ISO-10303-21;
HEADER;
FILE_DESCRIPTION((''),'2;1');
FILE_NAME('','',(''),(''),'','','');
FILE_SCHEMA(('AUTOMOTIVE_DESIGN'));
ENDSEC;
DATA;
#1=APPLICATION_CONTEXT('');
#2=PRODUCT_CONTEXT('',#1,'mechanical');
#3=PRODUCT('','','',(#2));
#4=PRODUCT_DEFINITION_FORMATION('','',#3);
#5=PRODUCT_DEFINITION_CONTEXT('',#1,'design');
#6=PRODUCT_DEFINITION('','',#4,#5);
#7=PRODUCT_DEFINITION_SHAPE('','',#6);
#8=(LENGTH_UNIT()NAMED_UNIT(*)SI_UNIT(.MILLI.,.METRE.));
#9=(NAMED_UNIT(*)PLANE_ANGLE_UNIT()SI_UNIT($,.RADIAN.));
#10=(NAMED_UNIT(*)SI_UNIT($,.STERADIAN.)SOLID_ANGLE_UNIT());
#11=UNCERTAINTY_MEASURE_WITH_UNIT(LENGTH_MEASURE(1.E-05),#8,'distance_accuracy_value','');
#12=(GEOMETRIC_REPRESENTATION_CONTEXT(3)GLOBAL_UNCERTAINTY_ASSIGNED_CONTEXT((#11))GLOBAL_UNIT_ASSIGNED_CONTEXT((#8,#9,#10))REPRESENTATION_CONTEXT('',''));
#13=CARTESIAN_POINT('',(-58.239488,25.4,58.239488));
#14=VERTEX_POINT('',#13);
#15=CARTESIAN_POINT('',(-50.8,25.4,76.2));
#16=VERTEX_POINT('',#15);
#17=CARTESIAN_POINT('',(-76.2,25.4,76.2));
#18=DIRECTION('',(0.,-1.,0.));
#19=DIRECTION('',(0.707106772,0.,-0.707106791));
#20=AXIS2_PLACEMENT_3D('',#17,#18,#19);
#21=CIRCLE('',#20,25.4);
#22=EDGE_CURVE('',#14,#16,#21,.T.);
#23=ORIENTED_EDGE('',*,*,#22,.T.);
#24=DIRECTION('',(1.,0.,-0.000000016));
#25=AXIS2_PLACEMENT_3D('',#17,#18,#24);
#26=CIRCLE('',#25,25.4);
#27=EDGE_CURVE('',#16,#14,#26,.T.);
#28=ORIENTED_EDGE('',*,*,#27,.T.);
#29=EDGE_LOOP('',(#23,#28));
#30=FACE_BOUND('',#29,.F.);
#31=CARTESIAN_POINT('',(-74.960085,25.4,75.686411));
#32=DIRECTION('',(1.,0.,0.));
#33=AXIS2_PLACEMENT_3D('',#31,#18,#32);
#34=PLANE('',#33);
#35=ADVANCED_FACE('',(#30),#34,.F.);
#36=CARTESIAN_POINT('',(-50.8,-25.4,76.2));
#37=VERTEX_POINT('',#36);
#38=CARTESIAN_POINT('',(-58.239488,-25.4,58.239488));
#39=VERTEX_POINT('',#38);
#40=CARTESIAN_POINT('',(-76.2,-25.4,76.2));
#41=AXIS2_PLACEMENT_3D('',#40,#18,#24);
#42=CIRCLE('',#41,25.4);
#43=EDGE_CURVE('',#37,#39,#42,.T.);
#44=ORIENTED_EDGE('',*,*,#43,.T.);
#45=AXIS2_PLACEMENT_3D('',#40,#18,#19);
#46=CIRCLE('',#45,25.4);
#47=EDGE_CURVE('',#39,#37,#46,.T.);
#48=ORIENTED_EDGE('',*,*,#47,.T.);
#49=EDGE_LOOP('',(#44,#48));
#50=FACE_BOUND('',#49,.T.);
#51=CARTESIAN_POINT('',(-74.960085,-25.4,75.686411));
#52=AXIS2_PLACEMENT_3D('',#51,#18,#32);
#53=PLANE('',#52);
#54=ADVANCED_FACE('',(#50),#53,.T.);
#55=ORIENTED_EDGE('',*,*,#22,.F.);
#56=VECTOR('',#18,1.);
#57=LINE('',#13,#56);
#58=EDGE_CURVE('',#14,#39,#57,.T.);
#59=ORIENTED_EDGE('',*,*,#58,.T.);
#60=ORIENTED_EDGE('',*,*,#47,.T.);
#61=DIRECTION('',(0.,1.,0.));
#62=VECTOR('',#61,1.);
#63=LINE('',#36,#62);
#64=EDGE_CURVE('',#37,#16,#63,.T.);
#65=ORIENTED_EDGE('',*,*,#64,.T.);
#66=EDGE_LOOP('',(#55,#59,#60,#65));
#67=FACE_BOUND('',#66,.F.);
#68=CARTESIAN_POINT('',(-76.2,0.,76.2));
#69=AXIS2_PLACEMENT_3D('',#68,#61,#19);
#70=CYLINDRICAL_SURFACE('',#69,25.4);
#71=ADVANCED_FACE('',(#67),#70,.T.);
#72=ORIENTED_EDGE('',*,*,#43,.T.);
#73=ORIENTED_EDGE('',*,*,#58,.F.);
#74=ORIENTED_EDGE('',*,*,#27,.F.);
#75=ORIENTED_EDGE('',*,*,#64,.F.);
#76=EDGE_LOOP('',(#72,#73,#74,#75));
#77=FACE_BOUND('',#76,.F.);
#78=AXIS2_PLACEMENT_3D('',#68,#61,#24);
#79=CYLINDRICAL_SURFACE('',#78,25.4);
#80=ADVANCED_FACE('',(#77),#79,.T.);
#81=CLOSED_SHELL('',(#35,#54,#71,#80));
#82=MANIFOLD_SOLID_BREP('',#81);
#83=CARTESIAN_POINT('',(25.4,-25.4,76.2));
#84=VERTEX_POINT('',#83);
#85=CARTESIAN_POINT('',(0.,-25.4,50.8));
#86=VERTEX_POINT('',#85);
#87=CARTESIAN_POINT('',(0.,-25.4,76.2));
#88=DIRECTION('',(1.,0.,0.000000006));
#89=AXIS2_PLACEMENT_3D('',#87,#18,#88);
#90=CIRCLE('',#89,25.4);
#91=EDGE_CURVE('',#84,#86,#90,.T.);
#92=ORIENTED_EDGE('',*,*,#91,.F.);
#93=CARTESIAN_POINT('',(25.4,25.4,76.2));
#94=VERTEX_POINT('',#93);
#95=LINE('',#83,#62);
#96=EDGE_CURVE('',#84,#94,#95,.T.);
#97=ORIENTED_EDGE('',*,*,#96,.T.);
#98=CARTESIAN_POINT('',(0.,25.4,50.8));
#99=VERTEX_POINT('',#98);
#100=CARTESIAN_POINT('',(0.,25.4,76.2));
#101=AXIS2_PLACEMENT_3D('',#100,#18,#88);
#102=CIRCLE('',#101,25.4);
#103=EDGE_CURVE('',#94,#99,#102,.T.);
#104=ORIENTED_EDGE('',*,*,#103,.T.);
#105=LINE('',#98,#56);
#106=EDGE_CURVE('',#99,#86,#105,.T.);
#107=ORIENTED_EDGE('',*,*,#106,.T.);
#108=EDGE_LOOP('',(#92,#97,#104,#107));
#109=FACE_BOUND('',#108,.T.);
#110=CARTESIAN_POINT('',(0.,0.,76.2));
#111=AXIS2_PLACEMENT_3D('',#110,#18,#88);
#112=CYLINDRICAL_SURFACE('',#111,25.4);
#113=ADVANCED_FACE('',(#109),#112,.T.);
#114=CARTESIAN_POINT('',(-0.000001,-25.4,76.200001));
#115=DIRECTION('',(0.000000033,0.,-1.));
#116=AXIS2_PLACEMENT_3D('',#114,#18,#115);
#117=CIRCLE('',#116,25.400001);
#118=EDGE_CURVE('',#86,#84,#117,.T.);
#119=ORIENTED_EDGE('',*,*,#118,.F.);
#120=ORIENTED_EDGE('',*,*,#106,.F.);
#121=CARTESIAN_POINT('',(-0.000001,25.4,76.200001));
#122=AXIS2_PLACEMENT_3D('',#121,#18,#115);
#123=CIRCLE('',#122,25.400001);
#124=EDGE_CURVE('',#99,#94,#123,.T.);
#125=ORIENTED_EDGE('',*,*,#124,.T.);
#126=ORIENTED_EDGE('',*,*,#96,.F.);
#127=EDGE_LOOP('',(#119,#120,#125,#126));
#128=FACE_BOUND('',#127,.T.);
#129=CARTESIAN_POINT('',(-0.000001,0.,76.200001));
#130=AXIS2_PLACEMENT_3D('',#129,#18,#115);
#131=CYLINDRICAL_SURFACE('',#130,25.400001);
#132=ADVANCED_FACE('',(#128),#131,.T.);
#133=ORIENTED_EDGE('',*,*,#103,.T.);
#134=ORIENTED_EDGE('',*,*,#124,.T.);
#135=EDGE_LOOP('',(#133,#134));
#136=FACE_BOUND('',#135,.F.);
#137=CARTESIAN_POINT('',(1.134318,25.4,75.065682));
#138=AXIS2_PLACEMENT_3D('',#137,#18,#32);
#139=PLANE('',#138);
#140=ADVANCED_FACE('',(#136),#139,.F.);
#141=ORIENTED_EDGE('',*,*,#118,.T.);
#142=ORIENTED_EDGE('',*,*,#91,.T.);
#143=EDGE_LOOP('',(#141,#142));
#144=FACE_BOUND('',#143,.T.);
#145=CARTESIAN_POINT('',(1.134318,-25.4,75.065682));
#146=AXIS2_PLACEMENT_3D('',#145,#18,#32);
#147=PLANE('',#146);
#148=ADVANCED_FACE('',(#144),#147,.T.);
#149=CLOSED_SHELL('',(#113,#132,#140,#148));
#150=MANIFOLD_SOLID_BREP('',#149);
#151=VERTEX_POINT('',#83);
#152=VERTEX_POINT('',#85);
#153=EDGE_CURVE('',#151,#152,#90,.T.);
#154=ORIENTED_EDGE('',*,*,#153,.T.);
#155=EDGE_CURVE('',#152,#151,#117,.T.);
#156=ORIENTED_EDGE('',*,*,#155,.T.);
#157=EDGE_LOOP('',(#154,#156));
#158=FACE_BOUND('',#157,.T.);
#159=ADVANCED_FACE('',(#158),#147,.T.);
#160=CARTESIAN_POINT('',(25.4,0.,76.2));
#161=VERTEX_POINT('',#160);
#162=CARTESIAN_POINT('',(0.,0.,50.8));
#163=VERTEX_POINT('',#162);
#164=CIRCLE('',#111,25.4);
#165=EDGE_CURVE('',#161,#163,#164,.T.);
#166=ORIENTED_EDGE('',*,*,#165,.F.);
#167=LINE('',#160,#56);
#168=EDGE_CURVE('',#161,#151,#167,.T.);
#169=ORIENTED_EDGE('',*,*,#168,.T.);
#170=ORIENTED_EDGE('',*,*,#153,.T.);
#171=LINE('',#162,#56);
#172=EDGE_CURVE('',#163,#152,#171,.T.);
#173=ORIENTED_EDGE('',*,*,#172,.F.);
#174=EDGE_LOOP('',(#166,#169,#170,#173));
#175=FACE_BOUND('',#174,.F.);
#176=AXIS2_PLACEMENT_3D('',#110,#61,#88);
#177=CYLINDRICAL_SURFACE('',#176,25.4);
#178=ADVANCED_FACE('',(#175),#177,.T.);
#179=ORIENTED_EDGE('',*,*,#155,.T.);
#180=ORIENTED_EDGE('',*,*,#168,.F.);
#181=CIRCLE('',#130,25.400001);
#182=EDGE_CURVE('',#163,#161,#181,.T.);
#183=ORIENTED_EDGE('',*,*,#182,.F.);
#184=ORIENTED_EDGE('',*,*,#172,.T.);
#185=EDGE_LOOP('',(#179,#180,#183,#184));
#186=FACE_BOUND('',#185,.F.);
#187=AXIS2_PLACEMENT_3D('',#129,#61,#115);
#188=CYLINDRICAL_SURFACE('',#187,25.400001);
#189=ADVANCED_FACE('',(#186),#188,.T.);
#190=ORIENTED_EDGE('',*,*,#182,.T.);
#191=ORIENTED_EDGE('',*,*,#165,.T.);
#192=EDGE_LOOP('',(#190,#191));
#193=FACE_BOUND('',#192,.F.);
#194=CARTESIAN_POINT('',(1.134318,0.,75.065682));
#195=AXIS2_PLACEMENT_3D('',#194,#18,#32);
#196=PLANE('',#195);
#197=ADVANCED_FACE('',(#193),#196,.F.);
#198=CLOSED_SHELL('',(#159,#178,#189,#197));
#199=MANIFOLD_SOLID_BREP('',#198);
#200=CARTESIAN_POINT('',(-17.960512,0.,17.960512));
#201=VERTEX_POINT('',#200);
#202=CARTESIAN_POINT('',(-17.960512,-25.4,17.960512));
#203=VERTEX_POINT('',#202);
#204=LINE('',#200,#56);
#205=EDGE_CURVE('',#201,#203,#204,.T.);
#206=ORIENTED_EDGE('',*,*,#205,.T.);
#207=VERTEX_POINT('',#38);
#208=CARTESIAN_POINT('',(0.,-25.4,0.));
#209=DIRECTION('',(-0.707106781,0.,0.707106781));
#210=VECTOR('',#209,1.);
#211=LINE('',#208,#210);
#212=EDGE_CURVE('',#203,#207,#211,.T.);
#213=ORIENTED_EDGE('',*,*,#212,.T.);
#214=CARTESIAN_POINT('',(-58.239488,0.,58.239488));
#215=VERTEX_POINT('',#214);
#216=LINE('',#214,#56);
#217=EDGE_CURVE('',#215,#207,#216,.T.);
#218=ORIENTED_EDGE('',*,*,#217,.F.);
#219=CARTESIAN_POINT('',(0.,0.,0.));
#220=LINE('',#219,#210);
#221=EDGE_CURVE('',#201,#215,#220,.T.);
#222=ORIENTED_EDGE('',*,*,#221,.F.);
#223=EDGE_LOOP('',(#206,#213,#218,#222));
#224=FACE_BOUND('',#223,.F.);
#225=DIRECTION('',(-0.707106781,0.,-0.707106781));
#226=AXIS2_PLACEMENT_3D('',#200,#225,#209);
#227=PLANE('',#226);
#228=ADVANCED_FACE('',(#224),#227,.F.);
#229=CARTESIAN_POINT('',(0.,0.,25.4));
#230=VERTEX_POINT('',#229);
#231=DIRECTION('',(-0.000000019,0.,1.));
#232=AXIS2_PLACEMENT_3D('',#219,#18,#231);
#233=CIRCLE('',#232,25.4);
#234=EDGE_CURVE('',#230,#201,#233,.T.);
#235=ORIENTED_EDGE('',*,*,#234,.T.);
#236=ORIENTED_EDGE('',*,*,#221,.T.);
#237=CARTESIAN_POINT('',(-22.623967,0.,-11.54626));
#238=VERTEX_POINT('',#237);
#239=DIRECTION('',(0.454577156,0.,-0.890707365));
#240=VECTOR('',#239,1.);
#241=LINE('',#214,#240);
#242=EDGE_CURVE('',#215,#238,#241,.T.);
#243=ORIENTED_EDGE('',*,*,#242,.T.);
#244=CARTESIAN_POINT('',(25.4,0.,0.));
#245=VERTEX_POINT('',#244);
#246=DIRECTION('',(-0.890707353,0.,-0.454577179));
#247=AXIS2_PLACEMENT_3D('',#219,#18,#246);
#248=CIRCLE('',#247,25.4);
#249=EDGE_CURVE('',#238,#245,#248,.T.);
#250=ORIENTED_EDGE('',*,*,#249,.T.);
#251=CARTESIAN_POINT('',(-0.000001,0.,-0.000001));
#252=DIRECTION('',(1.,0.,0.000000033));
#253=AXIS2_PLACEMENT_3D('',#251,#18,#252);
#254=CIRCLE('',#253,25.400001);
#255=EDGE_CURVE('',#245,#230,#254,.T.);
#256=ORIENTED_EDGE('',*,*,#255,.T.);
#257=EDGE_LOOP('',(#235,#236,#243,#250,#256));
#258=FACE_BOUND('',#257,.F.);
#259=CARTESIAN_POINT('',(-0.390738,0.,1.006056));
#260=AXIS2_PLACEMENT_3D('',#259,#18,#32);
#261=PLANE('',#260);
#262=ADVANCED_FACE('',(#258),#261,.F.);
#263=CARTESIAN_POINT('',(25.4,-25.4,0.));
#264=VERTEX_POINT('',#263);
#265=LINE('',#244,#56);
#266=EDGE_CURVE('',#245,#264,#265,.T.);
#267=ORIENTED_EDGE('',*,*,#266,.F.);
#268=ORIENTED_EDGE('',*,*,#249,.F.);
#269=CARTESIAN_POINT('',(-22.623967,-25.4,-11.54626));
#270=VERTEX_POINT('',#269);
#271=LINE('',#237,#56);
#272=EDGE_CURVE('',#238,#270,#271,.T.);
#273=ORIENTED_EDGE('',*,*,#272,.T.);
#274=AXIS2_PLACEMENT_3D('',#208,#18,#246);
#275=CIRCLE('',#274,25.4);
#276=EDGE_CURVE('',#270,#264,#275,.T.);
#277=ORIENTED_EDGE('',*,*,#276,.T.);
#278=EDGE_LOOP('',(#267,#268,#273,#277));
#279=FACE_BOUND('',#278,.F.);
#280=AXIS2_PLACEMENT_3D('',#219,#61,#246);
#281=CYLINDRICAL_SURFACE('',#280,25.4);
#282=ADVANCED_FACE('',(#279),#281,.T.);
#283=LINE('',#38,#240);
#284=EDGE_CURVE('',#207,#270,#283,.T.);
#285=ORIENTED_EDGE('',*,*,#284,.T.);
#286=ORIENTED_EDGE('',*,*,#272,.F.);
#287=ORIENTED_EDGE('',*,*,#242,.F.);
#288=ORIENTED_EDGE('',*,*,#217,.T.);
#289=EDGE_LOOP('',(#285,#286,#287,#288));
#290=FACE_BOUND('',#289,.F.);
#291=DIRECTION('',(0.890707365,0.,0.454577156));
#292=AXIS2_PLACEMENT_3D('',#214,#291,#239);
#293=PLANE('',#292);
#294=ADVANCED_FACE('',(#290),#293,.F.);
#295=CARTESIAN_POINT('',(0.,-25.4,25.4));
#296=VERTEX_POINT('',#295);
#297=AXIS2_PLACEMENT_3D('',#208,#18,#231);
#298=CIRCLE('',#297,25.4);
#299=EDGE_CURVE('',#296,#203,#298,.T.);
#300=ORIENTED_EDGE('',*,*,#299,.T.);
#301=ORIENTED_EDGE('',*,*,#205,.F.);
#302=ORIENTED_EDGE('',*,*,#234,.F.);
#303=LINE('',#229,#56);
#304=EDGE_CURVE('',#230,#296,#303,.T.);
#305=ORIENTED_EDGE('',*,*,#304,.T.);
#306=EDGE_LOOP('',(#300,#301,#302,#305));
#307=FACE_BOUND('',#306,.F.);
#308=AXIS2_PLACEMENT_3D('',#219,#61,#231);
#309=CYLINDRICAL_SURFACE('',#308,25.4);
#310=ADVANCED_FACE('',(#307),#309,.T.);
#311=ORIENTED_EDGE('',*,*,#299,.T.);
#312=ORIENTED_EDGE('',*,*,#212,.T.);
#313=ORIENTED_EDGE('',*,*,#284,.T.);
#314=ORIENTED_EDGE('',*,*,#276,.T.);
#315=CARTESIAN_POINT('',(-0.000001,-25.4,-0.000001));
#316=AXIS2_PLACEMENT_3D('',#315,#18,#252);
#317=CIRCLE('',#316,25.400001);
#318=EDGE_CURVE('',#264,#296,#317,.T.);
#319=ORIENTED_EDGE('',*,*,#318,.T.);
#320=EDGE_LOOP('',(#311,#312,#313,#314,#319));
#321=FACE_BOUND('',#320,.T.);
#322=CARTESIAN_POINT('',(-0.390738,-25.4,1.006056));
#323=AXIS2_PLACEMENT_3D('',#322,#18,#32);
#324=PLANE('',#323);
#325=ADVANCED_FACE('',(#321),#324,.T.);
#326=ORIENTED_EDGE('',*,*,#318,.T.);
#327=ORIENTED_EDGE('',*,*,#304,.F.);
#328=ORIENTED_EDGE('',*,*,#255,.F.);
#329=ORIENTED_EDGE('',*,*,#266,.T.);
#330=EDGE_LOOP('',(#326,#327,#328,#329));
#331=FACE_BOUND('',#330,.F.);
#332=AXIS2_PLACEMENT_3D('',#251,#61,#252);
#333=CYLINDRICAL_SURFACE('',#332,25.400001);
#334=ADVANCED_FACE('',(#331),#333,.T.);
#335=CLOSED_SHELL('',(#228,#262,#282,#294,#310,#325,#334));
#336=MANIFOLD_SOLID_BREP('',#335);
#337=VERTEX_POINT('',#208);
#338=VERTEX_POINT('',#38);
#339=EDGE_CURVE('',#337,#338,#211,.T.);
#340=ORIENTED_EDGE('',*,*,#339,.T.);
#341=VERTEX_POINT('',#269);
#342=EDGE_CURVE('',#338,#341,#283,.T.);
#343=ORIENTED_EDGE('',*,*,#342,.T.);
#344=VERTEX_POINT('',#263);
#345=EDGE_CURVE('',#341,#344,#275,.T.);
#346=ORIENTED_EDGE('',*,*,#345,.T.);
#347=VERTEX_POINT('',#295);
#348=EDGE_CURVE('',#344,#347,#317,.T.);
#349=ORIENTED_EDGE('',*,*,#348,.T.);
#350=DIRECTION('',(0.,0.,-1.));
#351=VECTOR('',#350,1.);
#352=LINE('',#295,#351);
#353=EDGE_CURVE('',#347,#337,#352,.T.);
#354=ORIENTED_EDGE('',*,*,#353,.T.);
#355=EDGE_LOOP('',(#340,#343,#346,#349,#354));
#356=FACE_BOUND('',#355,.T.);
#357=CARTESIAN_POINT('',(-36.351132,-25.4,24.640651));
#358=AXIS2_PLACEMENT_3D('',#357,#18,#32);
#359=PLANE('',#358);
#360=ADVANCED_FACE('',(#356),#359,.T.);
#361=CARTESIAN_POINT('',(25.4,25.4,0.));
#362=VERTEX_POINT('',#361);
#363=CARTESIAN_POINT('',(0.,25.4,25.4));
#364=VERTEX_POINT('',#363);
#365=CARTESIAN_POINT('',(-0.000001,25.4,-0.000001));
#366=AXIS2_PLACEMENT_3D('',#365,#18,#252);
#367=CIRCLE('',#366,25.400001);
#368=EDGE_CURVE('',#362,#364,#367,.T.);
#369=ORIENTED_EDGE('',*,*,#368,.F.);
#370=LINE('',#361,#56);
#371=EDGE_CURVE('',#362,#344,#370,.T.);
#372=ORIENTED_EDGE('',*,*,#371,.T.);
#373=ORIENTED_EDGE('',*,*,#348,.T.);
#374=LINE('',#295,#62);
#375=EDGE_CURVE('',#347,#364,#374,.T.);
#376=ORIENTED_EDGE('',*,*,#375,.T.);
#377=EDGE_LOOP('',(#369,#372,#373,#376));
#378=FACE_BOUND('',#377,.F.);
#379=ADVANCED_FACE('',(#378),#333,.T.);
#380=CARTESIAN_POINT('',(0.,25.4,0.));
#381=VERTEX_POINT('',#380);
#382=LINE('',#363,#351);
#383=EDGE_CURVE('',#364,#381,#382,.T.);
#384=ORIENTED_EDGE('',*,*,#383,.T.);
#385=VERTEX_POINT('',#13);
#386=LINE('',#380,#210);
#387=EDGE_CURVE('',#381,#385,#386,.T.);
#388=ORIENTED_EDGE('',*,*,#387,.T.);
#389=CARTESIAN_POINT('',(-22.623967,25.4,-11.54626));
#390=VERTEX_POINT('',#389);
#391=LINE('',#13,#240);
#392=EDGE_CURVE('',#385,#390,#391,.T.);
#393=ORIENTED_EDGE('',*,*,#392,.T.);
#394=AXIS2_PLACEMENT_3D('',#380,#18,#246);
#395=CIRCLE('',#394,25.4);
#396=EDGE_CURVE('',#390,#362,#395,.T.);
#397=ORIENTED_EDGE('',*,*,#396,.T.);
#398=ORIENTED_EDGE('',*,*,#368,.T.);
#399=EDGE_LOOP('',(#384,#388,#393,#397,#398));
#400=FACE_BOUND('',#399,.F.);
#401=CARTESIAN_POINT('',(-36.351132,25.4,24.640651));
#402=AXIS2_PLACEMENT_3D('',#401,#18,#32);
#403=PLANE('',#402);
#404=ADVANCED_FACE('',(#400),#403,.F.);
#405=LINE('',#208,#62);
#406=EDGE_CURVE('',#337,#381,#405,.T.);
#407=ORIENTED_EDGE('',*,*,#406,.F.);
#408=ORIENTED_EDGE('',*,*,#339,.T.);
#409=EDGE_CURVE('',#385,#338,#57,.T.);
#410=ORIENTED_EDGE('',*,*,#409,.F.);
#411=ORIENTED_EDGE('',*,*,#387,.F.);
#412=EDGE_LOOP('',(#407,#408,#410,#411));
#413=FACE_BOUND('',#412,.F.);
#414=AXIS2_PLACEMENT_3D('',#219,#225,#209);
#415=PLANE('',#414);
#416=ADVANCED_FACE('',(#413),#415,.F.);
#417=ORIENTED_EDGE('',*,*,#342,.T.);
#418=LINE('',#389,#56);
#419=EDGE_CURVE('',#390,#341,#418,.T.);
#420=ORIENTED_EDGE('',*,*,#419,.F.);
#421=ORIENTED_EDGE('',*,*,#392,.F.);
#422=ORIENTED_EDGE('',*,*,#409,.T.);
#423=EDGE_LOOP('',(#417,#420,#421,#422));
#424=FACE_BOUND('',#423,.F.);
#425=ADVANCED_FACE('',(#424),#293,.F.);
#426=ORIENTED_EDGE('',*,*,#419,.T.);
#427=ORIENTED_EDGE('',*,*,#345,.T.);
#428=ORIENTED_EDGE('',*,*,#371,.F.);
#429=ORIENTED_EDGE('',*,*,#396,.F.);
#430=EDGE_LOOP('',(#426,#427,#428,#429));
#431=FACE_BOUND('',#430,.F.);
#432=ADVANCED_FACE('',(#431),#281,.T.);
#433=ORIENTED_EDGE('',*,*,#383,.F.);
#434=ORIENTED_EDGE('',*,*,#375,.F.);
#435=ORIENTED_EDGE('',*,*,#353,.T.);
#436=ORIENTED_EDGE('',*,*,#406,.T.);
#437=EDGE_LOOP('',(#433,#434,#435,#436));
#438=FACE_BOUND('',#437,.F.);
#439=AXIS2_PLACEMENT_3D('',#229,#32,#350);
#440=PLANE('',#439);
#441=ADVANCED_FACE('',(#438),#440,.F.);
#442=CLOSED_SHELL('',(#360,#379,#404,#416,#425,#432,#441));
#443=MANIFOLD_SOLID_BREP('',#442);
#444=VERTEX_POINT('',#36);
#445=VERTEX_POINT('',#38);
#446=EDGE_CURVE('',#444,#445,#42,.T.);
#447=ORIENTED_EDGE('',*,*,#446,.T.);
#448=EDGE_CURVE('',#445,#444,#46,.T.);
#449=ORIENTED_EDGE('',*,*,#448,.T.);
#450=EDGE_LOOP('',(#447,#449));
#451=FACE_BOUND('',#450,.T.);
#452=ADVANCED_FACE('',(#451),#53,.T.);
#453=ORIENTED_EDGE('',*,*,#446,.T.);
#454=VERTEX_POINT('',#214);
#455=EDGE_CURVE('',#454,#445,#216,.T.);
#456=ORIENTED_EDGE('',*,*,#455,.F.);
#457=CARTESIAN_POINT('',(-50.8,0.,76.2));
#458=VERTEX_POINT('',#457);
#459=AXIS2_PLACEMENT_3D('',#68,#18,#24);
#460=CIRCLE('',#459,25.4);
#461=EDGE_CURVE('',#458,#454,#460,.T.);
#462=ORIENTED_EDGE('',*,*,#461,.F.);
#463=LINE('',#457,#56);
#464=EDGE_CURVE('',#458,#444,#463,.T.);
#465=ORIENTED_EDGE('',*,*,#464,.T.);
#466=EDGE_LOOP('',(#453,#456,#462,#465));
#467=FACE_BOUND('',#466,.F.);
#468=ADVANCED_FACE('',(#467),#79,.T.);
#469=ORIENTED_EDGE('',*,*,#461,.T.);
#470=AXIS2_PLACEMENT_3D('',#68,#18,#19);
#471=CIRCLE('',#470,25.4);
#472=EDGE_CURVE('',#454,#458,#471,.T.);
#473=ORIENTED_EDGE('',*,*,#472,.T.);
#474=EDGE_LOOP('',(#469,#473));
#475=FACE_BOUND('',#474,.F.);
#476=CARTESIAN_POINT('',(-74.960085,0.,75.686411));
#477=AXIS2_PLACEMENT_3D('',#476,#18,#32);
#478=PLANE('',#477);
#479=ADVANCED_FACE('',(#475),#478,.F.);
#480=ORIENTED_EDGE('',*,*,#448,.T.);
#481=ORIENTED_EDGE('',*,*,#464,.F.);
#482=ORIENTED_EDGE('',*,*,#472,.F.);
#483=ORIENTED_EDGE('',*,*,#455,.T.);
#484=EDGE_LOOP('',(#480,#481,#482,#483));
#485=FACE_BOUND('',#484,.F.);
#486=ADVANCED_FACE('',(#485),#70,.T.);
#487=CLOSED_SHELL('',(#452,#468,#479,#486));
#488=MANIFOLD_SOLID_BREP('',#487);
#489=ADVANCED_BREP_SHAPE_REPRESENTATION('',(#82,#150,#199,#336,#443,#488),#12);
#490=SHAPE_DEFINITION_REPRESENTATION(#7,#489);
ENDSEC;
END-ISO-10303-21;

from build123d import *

# Parameters (mm, degrees)
F1_DEPTH = 25.4
F2_DEPTH = 25.4


with BuildPart() as f1:
    # F0 (on Front) → F1 (new body)
    with BuildSketch(Plane.XZ):
        with BuildLine():
            ThreePointArc((-17.960512, 17.960512), (-25.088591, 3.965175), (-22.623967, -11.54626))
            ThreePointArc((-22.623967, -11.54626), (5.937644, -24.696242), (25.4, 0))
            ThreePointArc((25.4, 0), (17.960512, 17.960512), (0, 25.4))
            Line((0, 25.4), (0, 0))
            Line((0, 0), (-17.960512, 17.960512))
        make_face()
        with BuildLine():
            Line((-58.239488, 58.239488), (-22.623967, -11.54626))
            ThreePointArc((-22.623967, -11.54626), (-25.088591, 3.965175), (-17.960512, 17.960512))
            Line((-17.960512, 17.960512), (-58.239488, 58.239488))
        make_face()
        with BuildLine():
            ThreePointArc((-50.8, 76.2), (-99.66654, 85.920159), (-58.239488, 58.239488))
            ThreePointArc((-58.239488, 58.239488), (-52.73346, 66.479841), (-50.8, 76.2))
        make_face()
        with BuildLine():
            ThreePointArc((25.4, 76.2), (-17.960512, 94.160512), (0, 50.8))
            ThreePointArc((0, 50.8), (17.960512, 58.239488), (25.4, 76.2))
        make_face()
        with BuildLine():
            ThreePointArc((0, 25.4), (-9.720159, 23.46654), (-17.960512, 17.960512))
            Line((-17.960512, 17.960512), (0, 0))
            Line((0, 0), (0, 25.4))
        make_face()
    extrude(amount=F1_DEPTH)


with BuildPart() as f2:
    # F0 (on Front) → F2 (new body, symmetric)
    with BuildSketch(Plane.XZ):
        with BuildLine():
            ThreePointArc((-50.8, 76.2), (-99.66654, 85.920159), (-58.239488, 58.239488))
            ThreePointArc((-58.239488, 58.239488), (-52.73346, 66.479841), (-50.8, 76.2))
        make_face()
        with BuildLine():
            Line((-58.239488, 58.239488), (-22.623967, -11.54626))
            ThreePointArc((-22.623967, -11.54626), (-25.088591, 3.965175), (-17.960512, 17.960512))
            Line((-17.960512, 17.960512), (-58.239488, 58.239488))
        make_face()
        with BuildLine():
            ThreePointArc((-17.960512, 17.960512), (-25.088591, 3.965175), (-22.623967, -11.54626))
            ThreePointArc((-22.623967, -11.54626), (5.937644, -24.696242), (25.4, 0))
            ThreePointArc((25.4, 0), (17.960512, 17.960512), (0, 25.4))
            Line((0, 25.4), (0, 0))
            Line((0, 0), (-17.960512, 17.960512))
        make_face()
        with BuildLine():
            ThreePointArc((25.4, 76.2), (-17.960512, 94.160512), (0, 50.8))
            ThreePointArc((0, 50.8), (17.960512, 58.239488), (25.4, 76.2))
        make_face()
    extrude(amount=F2_DEPTH, both=True)


solid = Compound([f1.part, f2.part])
